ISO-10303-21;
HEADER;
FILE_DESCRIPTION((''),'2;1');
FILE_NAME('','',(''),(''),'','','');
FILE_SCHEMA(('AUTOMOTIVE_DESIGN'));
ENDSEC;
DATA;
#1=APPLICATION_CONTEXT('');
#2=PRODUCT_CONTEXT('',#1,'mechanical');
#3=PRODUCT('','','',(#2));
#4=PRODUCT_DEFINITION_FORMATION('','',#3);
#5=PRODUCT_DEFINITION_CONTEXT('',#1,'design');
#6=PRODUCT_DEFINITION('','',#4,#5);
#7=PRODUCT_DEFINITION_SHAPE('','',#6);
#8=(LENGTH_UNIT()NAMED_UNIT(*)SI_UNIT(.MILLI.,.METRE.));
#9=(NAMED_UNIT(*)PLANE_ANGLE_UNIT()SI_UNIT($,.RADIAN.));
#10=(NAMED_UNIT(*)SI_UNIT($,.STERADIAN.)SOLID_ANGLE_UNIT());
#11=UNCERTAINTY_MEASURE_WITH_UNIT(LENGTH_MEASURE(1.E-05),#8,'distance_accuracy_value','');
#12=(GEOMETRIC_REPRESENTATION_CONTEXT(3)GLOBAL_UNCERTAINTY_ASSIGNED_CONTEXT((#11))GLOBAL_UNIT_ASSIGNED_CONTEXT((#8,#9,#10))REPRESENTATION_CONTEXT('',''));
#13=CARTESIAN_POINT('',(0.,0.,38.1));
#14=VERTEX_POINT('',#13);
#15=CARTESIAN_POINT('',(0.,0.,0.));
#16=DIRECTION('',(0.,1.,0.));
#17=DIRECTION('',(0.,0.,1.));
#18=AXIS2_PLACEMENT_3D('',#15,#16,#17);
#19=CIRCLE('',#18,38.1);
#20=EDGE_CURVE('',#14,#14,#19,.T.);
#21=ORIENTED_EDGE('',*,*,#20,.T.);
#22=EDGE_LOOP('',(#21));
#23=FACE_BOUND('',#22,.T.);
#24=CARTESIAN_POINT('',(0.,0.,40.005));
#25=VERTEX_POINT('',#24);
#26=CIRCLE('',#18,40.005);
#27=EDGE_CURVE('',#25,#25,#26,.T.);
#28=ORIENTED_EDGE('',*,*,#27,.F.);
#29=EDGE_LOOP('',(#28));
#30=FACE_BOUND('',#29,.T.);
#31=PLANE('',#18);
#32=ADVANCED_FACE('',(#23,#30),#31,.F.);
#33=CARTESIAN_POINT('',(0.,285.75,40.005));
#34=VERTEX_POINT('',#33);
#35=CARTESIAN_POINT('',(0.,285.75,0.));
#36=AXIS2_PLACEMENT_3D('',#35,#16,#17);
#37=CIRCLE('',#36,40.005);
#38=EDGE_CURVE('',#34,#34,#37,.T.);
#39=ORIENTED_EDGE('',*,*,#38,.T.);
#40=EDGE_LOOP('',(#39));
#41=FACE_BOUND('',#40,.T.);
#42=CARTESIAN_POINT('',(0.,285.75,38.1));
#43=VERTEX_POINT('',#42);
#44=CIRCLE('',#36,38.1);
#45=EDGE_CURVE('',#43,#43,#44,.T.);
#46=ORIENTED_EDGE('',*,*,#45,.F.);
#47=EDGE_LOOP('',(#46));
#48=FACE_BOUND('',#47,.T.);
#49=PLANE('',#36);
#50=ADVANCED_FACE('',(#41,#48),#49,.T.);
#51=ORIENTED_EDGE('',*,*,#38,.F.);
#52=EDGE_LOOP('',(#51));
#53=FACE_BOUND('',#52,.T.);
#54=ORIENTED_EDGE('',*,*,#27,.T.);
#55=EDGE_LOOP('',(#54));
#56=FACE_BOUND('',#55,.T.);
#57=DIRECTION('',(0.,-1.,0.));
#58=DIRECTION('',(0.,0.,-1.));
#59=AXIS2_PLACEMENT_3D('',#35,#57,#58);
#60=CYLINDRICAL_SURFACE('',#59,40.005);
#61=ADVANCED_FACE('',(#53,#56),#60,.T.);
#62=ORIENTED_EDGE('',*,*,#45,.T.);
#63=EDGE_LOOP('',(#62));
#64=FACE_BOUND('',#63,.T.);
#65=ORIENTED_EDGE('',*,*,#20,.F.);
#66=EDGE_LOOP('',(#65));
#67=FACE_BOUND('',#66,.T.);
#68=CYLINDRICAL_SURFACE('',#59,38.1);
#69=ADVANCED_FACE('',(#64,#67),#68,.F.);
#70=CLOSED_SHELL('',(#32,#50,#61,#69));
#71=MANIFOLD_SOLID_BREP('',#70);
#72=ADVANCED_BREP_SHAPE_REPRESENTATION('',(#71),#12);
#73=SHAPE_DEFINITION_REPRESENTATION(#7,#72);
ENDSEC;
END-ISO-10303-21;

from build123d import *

# Parameters (mm, degrees)
SKETCH1_R           = 40.005
SKETCH1_R_2         = 38.1
BOSS_EXTRUDE1_DEPTH = 285.75


with BuildPart() as part:
    # Sketch1 → Boss-Extrude1 (new body)
    with BuildSketch(Plane(origin=(0, 0, 0), x_dir=(1, 0, 0), z_dir=(0, 1, 0))):
        Circle(SKETCH1_R)
        Circle(SKETCH1_R_2, mode=Mode.SUBTRACT)
    extrude(amount=BOSS_EXTRUDE1_DEPTH)


solid = part.part
